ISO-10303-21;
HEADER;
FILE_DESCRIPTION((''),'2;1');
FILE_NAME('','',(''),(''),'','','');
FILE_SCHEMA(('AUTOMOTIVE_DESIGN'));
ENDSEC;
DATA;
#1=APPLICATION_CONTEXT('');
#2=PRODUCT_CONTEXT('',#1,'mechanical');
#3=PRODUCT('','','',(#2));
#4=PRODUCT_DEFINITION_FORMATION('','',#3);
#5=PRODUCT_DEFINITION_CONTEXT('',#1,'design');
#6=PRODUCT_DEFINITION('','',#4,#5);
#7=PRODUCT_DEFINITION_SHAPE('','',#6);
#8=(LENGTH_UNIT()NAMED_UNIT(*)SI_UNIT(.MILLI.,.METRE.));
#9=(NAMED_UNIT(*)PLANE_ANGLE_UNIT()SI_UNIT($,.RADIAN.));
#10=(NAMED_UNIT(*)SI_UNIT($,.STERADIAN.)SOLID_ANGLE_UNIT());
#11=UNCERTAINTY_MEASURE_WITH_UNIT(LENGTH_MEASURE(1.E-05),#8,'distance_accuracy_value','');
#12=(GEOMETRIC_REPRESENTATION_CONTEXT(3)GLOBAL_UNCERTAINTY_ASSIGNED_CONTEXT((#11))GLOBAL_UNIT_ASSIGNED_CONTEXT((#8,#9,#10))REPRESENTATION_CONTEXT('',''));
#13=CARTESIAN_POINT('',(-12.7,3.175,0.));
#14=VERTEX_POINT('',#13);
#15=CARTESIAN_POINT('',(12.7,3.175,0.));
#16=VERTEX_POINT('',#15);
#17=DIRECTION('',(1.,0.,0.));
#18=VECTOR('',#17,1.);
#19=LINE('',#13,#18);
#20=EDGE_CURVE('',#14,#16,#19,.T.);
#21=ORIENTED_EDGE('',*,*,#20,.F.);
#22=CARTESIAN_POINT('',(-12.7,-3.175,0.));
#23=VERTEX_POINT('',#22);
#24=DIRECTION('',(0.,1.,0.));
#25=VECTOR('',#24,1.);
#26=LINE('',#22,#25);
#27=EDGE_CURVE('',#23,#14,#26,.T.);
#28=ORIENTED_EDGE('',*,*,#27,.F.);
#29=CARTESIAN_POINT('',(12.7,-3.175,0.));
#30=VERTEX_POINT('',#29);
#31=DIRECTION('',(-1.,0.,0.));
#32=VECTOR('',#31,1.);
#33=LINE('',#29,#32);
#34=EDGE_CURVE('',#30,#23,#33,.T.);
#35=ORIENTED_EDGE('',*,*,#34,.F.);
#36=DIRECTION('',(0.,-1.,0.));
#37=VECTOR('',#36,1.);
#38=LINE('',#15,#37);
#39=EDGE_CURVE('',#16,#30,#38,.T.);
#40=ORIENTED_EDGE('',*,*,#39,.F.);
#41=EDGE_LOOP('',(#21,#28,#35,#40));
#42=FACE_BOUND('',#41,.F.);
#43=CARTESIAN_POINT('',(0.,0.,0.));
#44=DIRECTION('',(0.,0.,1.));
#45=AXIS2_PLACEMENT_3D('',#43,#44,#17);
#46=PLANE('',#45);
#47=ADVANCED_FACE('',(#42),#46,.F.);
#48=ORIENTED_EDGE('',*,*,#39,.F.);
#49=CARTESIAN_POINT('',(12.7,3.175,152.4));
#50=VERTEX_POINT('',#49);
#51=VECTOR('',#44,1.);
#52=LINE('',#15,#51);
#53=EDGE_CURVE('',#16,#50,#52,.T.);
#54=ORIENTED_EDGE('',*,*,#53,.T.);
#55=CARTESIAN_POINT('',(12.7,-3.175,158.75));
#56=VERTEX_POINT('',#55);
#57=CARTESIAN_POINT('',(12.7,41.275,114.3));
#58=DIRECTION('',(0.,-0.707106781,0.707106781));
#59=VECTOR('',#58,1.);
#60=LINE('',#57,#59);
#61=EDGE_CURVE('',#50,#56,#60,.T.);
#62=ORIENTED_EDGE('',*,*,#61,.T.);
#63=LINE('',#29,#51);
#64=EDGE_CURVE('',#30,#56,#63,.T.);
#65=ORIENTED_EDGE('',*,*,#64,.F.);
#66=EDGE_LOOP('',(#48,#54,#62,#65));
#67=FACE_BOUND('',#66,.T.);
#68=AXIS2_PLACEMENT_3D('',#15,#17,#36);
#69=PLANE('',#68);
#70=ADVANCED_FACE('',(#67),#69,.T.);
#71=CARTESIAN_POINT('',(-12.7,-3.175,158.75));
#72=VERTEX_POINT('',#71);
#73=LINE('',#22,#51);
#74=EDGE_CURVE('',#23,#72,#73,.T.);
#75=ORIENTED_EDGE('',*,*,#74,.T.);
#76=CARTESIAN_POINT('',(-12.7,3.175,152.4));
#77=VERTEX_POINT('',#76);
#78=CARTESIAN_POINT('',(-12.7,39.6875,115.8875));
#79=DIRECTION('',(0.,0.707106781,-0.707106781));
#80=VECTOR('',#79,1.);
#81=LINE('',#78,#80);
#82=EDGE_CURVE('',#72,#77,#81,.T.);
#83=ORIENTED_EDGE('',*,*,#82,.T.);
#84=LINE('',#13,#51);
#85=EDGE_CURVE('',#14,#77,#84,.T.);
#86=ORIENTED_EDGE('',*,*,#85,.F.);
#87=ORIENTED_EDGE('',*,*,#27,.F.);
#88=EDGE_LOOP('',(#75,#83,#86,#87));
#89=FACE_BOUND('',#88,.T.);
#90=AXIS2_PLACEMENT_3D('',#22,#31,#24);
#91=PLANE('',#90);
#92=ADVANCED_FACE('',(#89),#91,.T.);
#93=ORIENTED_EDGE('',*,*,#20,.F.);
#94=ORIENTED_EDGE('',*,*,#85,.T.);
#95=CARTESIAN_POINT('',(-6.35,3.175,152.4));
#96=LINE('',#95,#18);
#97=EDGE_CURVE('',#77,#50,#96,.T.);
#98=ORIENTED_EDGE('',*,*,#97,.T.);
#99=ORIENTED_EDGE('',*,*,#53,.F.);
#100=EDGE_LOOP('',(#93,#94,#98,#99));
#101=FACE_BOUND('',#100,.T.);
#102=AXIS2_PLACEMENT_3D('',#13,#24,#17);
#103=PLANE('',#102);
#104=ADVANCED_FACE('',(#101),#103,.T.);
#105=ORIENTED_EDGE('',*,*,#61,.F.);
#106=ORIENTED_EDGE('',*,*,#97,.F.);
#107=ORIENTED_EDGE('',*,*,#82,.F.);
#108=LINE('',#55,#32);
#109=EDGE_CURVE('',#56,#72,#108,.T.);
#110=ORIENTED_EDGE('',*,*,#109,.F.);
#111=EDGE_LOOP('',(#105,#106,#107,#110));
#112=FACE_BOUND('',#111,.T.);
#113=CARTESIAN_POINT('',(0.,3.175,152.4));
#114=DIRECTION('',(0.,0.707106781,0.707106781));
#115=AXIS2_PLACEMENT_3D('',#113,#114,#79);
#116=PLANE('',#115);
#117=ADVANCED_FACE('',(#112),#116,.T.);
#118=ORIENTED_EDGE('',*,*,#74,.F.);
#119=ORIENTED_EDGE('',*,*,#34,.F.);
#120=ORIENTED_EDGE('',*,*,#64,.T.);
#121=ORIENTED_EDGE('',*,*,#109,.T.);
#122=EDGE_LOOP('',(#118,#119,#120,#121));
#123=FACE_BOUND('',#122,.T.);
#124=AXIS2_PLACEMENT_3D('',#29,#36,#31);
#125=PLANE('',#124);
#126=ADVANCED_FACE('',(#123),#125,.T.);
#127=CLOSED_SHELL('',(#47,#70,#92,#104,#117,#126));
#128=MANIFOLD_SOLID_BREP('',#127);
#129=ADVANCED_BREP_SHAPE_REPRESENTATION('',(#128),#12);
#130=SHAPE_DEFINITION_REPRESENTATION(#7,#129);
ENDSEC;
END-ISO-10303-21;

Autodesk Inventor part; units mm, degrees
ref_plane "Start plane" through (0, 0, 0) normal (0, 0, 1) x (1, 0, 0)
ref_plane "End plane" through (0, 0, 158.75) normal (0, 0, 1) x (1, 0, 0)
sketch "Sketch" plane through (0, 0, 0) normal (0, 0, 1) x (1, 0, 0)
  line L0 (12.7, -3.175) -> (-12.7, -3.175)
  line L1 (-12.7, -3.175) -> (-12.7, 3.175)
  line L2 (-12.7, 3.175) -> (12.7, 3.175)
  line L3 (12.7, 3.175) -> (12.7, -3.175)
  line L4 (-6, 0) -> (8, 0) construction
  line L5 (0, -30) -> (0, 40) construction
  line L6 (0, 54) -> (0, -44) construction
  line L7 (-17.78, 0) -> (17.78, 0) construction
  dimension "d0" = 6.35
  dimension "d1" = 25.4
  dimension "d4" = 12.7
  dimension "d5" = 3.175
extrude "Body" add sketch "Sketch" along normal up to surface (158.75 mm away) from surface at 0
sketch "Sketch3" plane through (0, 0, 0) normal (0, 0, 1) x (1, 0, 0)
  line L0 (0, 0) -> (10, 0)
ref_plane "Work Plane3" through (0, 0, 0) normal (0, -1, 0) x (1, 0, 0)
sketch "Sketch4" plane through (0, 0, 0) normal (0, -1, 0) x (1, 0, 0)
  line L0 (-2, 0) -> (12, 0)
  line L1 (-2, 158.75) -> (12, 158.75)
  dimension "d9" = 158.75
ref_plane "Work Plane4" through (0, 3.175, 152.4) normal (0, 0.7071, 0.7071) x (1, 0, 0)
split "Split1" plane through (0, 3.175, 152.4) removes the side toward (0, 0.7071, 0.7071)
equation "\"d0\" = G_W"
equation "\"d1\" = G_H"
equation "\"d4\" = 0.5 * d1"
equation "\"d5\" = 0.5 * d0"
equation "\"d2\" = G_L"
equation "\"G_W\" = 6.35"
equation "\"G_H\" = 25.4"
equation "\"G_L\" = d9"
equation "\"G_OFFSET_START\" = 0"
equation "\"G_OFFSET_END\" = 0"
equation "\"d7\" = G_OFFSET_END + B_L"
equation "\"B_L\" = 158.75"
properties part number "AISC - 1/4x1 - 6.25" material "Steel, Mild"
